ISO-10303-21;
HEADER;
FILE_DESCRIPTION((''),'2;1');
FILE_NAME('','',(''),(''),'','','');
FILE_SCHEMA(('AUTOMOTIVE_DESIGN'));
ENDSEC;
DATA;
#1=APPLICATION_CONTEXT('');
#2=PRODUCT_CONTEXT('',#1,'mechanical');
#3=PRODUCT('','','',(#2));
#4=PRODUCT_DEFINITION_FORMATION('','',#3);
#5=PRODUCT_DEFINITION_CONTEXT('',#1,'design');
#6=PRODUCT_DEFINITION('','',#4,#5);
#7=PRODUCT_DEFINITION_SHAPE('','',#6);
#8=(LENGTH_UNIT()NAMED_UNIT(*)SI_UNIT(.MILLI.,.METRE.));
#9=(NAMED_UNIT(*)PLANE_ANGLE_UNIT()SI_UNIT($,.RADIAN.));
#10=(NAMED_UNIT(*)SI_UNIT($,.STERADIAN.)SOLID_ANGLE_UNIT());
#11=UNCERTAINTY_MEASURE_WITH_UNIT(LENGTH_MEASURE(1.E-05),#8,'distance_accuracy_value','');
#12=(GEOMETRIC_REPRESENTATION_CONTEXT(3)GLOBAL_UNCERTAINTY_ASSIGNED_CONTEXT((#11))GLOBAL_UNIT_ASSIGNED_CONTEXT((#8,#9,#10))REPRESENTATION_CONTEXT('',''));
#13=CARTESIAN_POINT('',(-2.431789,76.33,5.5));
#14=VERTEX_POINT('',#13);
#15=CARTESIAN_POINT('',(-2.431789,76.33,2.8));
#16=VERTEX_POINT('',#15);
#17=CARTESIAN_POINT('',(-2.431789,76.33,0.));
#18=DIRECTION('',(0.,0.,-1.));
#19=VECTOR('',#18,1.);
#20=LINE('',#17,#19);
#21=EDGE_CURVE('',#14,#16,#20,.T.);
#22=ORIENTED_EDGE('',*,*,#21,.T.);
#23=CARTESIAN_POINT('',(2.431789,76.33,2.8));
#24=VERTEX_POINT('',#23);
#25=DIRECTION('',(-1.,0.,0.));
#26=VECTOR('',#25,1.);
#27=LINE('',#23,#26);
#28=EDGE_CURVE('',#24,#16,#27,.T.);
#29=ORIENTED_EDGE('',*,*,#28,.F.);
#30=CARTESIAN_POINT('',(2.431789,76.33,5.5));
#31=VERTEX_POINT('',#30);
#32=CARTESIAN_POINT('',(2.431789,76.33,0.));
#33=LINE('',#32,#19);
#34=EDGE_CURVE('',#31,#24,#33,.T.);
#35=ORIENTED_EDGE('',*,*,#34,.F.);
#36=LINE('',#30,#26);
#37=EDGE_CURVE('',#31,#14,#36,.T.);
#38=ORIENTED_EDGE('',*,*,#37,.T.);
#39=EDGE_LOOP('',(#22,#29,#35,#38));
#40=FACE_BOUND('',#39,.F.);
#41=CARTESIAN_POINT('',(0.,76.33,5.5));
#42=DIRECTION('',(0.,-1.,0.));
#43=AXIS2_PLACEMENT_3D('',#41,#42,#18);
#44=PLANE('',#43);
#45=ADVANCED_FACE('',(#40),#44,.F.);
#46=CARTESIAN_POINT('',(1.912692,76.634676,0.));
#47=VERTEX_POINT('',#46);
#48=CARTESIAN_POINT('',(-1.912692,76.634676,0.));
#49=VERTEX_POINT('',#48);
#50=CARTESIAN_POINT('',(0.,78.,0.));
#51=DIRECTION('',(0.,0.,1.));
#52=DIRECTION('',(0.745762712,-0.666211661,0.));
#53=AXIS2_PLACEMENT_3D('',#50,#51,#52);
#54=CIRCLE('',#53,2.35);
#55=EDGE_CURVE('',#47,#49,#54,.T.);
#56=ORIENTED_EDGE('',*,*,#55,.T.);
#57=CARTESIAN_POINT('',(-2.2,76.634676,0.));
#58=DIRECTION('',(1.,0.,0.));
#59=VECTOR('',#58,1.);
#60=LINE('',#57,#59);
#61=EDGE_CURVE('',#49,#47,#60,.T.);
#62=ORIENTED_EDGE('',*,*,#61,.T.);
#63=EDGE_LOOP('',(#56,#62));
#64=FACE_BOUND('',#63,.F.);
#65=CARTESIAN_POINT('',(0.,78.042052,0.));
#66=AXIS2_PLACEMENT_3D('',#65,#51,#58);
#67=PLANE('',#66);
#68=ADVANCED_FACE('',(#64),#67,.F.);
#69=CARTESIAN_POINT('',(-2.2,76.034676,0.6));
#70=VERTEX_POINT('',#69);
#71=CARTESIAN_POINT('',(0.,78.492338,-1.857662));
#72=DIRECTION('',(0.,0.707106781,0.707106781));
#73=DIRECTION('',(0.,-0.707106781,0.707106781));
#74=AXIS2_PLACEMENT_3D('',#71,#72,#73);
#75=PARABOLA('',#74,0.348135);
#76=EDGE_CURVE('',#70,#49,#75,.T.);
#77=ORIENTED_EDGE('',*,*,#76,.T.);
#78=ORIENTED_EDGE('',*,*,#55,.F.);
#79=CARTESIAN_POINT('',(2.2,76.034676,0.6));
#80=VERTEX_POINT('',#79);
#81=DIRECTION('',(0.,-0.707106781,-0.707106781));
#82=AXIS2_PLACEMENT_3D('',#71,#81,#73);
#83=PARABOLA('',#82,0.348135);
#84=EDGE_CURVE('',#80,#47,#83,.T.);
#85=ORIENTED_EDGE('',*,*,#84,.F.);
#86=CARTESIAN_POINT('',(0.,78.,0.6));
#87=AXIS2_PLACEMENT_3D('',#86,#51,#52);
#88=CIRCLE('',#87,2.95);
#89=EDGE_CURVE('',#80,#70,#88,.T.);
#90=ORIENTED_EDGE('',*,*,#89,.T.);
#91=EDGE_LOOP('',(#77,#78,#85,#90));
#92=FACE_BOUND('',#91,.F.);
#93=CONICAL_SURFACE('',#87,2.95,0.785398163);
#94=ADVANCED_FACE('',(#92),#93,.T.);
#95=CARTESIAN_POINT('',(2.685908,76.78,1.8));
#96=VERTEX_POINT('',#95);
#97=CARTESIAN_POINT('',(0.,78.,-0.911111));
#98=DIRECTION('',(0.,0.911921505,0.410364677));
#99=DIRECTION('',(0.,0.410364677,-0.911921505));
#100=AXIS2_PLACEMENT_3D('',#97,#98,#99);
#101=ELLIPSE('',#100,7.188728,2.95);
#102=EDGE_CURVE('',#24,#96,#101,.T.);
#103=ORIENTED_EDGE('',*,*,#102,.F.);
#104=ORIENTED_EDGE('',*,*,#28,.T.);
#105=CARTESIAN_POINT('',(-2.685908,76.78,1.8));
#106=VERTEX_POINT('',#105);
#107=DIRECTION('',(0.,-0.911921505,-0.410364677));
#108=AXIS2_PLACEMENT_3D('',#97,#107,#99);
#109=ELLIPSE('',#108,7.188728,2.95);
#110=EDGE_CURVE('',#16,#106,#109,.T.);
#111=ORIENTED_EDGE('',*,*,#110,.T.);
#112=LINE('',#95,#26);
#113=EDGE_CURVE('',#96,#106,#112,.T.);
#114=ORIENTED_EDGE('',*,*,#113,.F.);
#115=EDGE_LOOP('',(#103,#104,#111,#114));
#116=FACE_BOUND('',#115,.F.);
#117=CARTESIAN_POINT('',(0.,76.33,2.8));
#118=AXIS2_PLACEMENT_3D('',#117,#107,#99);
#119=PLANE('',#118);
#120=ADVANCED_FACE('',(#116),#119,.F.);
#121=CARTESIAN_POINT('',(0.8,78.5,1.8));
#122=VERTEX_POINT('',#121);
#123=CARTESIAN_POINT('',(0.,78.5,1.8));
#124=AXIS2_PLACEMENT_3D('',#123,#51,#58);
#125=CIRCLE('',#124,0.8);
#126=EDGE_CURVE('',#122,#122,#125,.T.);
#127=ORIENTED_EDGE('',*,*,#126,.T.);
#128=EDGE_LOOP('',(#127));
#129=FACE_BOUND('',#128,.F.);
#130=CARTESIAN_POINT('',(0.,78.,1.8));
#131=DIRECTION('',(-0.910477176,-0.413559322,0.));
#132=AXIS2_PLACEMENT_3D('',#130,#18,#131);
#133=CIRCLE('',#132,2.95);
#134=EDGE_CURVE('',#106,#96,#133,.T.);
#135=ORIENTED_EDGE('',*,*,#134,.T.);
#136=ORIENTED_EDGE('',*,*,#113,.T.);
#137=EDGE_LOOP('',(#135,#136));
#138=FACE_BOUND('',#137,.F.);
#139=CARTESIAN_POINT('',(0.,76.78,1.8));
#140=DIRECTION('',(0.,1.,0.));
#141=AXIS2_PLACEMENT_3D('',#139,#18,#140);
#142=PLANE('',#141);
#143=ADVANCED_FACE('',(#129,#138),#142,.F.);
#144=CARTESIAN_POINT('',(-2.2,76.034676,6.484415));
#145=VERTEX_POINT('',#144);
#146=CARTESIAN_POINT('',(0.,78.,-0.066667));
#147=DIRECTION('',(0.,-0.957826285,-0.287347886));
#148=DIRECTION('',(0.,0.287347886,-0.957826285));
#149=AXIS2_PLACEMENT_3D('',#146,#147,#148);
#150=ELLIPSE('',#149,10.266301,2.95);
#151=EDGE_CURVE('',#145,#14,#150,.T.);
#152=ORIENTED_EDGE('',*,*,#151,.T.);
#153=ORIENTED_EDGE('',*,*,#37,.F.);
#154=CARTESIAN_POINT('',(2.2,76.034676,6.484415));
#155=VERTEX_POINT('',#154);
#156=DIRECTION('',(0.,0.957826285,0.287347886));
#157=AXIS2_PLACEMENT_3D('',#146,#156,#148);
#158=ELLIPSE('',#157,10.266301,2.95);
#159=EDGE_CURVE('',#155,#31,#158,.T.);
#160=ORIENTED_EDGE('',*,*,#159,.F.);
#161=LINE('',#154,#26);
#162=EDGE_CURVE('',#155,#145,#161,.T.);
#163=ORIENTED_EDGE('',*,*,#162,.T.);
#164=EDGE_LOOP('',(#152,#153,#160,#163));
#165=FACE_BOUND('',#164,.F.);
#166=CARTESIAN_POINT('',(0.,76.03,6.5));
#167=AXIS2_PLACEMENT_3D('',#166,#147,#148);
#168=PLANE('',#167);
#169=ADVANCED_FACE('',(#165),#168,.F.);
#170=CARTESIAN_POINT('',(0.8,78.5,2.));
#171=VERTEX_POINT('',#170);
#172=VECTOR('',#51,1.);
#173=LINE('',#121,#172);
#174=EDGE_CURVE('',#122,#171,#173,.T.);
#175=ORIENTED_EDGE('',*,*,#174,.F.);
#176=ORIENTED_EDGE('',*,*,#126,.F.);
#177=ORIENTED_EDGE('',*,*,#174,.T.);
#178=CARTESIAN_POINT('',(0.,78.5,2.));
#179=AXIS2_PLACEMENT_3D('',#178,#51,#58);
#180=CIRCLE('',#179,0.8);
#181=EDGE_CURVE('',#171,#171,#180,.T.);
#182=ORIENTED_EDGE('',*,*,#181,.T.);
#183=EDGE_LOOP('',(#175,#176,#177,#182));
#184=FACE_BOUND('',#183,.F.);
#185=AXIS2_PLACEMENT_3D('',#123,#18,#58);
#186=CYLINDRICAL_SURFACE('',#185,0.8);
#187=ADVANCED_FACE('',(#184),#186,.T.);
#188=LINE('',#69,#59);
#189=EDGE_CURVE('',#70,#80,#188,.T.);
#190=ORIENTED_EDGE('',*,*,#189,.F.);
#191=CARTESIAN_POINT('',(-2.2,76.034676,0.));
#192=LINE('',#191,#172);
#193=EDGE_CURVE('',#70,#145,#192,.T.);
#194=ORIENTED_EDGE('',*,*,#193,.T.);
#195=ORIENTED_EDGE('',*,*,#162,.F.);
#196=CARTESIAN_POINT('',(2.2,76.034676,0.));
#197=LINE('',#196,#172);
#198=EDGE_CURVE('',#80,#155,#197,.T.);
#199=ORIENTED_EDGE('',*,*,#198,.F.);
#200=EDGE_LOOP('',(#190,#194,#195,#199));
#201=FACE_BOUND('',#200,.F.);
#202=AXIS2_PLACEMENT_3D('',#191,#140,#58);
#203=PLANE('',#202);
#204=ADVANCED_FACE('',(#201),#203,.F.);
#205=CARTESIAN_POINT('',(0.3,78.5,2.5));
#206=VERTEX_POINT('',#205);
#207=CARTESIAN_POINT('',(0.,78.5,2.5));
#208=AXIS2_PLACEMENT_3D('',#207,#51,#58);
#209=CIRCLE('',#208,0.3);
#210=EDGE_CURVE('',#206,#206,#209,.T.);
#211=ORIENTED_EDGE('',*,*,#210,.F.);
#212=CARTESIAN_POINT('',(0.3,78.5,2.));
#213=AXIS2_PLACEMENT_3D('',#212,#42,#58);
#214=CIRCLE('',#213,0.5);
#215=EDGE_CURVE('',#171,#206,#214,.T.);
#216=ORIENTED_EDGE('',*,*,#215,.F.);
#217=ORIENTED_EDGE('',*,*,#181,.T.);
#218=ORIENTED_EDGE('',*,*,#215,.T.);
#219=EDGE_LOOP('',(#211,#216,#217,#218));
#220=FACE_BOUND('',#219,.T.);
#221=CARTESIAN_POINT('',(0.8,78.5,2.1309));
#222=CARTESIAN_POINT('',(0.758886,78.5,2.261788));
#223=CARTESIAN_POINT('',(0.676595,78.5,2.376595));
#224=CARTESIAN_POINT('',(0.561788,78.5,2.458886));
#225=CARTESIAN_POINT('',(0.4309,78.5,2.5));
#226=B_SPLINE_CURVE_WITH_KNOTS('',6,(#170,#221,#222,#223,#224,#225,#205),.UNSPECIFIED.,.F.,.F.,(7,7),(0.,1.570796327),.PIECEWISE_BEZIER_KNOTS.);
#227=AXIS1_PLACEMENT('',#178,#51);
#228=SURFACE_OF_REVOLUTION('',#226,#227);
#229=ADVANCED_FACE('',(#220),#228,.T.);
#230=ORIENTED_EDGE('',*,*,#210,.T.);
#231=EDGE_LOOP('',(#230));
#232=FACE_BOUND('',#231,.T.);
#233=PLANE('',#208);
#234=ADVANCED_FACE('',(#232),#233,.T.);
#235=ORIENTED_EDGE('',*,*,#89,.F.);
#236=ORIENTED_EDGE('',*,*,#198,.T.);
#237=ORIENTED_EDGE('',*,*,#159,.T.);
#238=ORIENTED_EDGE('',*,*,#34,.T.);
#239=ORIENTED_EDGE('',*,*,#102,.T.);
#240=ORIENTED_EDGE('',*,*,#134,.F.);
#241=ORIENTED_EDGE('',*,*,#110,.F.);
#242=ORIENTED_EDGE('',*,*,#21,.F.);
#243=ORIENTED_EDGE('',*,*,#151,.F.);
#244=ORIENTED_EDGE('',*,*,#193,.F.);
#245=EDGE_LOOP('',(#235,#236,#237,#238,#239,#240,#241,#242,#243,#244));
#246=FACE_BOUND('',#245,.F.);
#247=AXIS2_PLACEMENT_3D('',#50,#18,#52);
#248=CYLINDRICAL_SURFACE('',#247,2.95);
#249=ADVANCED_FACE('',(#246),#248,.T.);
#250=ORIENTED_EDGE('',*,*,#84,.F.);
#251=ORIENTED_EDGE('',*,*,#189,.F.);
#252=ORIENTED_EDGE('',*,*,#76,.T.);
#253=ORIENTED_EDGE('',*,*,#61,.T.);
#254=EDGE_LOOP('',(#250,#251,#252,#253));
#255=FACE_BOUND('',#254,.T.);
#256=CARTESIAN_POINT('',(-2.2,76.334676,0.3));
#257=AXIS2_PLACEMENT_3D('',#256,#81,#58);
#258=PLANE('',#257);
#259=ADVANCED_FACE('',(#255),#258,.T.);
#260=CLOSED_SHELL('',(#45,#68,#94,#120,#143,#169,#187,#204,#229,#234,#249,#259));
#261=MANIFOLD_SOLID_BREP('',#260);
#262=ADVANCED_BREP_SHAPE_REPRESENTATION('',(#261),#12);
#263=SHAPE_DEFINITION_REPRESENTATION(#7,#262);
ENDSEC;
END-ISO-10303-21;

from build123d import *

# Parameters (mm, degrees)
PAD003_DEPTH         = 6.5
POCKET004_DEPTH      = 2.951
POCKET004_DEPTH_BACK = 2.951
SKETCH013_R          = 0.8
PAD006_DEPTH         = 0.7
FILLET_R             = 0.5
CHAMFER004_SIZE      = 0.6


with BuildPart() as part:
    # Sketch004 → Pad003 (new body)
    with BuildSketch(Plane.XY):
        with BuildLine():
            ThreePointArc((2.2, -1.9653244007), (0, 2.95), (-2.2, -1.9653244007))
            Line((-2.2, -1.9653244007), (2.2, -1.9653244007))
        make_face()
    extrude(amount=PAD003_DEPTH)

    # Sketch014 → Pocket004 (cut, two sides)
    with BuildSketch(Plane.YZ) as pocket004_sk:
        Polygon((-1.97, 6.5), (-1.67, 5.5), (-1.67, 2.8), (-1.22, 1.8), (4, 1.8), (4, 6.5), align=None)
    extrude(amount=-POCKET004_DEPTH, mode=Mode.SUBTRACT)
    extrude(pocket004_sk.sketch, amount=POCKET004_DEPTH_BACK, mode=Mode.SUBTRACT)

    # Sketch013 (on Face7 of Pocket004) → Pad006 (join)
    with BuildSketch(Plane.XY.offset(1.8)):
        with Locations((0, 0.5)):
            Circle(SKETCH013_R)
    extrude(amount=PAD006_DEPTH)

    # Fillet
    fillet_edges = [part.edges().sort_by_distance(p)[0] for p in [
        (-0.8, 0.5, 2.5),
    ]]
    fillet(fillet_edges, radius=FILLET_R)

    # Chamfer004
    chamfer004_edges = [part.edges().sort_by_distance(p)[0] for p in [
        (0, 2.95, 0),
        (0, -1.965324, 0),
    ]]
    chamfer(chamfer004_edges, length=CHAMFER004_SIZE)


with BuildPart() as part_1:
    # Body032 placement: moved
    add(part.part.moved(Location((0, 78, 0))))


solid = part_1.part
